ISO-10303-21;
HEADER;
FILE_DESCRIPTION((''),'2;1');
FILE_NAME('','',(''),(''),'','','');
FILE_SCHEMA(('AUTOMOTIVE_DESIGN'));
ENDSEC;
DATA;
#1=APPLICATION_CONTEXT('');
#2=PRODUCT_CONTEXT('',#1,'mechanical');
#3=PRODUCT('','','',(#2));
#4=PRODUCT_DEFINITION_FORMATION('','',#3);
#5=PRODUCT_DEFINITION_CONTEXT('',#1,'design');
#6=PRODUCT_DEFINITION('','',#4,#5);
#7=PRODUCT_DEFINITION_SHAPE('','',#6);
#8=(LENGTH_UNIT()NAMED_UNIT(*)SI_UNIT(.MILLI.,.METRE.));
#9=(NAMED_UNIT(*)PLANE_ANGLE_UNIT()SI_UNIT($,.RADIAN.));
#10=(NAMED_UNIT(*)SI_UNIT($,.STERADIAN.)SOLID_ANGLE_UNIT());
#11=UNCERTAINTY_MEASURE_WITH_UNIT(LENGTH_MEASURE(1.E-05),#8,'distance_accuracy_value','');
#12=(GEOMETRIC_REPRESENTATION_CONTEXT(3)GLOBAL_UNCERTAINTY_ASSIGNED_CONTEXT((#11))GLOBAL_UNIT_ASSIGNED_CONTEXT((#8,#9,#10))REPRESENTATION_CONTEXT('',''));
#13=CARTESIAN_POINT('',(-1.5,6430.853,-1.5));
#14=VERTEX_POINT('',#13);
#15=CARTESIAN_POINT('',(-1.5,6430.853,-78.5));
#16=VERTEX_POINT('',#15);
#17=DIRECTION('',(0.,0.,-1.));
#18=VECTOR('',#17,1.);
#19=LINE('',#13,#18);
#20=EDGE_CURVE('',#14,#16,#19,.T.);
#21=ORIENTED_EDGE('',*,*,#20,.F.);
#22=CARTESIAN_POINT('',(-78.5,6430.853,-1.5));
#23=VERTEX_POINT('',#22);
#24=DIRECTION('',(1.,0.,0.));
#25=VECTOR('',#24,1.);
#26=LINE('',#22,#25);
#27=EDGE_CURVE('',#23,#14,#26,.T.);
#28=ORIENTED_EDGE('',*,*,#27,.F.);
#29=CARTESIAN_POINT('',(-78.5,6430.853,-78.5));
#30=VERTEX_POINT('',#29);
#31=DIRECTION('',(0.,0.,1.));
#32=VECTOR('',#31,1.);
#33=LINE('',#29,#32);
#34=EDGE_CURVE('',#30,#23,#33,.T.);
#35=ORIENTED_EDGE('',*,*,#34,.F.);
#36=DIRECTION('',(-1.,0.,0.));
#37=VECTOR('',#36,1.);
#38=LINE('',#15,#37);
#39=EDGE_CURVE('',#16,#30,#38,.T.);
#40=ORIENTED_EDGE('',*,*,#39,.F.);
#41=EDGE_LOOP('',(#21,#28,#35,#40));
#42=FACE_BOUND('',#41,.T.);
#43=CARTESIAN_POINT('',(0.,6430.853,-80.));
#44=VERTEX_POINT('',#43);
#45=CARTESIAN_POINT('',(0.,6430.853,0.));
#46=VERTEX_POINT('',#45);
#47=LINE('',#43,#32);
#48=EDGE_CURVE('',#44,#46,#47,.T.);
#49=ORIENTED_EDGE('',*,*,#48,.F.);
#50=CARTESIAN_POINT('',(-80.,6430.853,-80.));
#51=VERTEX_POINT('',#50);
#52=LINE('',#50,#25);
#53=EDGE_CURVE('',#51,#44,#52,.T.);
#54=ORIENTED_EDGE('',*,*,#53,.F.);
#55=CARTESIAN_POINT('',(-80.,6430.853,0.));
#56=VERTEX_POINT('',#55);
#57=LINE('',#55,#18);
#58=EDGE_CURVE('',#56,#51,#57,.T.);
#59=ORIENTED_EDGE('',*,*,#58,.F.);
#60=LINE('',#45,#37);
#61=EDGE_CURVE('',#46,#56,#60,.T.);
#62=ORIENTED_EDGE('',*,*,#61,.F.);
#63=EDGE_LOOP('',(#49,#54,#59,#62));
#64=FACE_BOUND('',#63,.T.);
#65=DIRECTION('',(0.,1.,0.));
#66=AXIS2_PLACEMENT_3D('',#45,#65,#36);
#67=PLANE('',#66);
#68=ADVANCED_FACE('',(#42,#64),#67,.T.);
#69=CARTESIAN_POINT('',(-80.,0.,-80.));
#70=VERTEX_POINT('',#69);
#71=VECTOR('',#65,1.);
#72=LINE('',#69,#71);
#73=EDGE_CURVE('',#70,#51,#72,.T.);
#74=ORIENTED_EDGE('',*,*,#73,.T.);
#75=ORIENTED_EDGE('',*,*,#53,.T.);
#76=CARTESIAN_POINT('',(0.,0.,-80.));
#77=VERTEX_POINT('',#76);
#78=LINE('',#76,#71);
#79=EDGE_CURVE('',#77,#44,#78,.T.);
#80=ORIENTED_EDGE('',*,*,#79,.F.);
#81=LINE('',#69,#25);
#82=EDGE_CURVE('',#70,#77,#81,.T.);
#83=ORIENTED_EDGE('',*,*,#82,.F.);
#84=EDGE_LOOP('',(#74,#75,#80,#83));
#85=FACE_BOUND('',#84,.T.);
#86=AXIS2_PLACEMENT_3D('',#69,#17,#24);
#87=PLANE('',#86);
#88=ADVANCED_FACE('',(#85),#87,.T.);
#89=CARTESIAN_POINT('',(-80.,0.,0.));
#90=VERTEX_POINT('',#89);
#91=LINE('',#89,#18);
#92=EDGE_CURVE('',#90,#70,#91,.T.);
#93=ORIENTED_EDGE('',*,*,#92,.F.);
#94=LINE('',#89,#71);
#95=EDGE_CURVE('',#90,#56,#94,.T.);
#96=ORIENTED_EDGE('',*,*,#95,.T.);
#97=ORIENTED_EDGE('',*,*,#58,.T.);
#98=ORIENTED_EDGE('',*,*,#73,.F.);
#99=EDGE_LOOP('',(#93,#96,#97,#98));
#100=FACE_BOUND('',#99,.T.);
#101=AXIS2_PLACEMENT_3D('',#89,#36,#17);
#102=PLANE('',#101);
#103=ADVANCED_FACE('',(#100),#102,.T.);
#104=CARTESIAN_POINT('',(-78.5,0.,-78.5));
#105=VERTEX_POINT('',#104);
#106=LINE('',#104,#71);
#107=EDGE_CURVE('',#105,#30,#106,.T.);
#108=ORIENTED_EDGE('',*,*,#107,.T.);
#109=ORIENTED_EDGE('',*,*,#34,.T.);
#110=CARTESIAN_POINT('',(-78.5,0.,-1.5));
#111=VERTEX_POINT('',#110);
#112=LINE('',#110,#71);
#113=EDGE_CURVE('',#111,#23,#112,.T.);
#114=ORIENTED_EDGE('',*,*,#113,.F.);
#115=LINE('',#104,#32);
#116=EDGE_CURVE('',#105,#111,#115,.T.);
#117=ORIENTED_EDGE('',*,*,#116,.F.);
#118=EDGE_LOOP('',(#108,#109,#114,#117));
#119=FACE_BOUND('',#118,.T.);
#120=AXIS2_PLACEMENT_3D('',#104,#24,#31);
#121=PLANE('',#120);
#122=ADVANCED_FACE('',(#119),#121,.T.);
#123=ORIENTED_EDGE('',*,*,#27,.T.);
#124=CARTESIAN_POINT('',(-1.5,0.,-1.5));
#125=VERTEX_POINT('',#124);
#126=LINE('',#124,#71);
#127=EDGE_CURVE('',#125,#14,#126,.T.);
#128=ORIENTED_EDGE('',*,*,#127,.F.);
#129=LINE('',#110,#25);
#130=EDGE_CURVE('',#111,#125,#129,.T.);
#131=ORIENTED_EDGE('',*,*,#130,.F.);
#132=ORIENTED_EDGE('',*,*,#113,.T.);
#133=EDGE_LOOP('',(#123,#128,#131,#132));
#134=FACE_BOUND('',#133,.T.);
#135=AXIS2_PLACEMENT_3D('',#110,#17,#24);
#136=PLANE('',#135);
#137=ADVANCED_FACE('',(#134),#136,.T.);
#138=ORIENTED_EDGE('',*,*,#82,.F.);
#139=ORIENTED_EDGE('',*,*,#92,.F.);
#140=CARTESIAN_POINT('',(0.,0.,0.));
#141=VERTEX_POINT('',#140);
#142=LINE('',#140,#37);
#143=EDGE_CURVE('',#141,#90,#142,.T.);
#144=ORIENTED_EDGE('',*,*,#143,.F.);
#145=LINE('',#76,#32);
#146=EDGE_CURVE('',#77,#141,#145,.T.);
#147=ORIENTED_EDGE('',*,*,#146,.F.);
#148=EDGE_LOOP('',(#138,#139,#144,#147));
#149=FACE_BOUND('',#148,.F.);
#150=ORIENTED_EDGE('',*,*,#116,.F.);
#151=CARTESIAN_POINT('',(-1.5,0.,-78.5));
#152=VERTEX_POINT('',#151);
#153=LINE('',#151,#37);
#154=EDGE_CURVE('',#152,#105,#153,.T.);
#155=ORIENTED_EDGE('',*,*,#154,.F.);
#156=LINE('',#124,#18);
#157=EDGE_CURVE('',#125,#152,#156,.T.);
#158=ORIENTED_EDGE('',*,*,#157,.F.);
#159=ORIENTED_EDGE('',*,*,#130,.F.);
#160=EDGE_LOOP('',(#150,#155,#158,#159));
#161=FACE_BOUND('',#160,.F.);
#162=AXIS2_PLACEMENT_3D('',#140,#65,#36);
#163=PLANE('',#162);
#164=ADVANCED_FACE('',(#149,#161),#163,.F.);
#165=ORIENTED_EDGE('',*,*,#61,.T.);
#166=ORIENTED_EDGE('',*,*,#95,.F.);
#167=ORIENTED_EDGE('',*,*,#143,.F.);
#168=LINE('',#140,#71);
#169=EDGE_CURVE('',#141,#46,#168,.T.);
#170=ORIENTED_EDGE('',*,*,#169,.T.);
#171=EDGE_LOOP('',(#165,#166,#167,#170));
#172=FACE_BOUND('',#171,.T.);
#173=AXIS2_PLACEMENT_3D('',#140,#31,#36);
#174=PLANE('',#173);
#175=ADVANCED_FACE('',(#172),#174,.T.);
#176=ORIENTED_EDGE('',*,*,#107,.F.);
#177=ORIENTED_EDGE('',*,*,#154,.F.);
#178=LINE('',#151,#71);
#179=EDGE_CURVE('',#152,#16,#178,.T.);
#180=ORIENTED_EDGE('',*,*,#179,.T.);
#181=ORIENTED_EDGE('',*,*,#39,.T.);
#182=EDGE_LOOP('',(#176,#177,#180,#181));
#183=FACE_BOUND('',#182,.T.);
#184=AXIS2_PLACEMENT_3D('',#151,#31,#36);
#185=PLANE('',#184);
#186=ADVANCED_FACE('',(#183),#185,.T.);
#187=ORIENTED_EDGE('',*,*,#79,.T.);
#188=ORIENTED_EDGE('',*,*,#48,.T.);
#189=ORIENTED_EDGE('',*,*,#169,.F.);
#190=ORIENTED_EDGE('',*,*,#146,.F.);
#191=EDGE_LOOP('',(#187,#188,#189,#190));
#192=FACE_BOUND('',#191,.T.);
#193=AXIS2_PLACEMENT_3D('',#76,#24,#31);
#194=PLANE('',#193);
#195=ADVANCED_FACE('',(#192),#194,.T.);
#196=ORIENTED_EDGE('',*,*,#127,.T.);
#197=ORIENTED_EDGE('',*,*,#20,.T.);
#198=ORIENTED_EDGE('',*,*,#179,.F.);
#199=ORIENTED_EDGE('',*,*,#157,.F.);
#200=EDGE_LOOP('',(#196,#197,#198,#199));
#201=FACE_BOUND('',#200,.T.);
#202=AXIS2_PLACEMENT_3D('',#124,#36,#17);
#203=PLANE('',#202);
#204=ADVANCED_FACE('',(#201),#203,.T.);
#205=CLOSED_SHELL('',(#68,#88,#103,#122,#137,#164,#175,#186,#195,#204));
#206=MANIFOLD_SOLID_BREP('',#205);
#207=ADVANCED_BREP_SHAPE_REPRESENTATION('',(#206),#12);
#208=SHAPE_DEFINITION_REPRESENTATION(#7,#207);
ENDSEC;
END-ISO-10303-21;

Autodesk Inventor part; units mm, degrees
ref_plane "YZ Plane" through (0, 0, 0) normal (1, 0, 0) x (0, 1, 0)
ref_plane "XZ Plane" through (0, 0, 0) normal (0, 1, 0) x (-1, 0, 0)
ref_plane "XY Plane" through (0, 0, 0) normal (0, 0, 1) x (1, 0, 0)
sketch "Boceto1" plane through (0, 0, 0) normal (0, 1, 0) x (-1, 0, 0)
  line L0 (0, 0) -> (80, 0)
  line L1 (80, 0) -> (80, -80)
  line L2 (80, -80) -> (0, -80)
  line L3 (0, -80) -> (0, 0)
  line L4 (1.5, -78.5) -> (78.5, -78.5)
  line L5 (78.5, -78.5) -> (78.5, -1.5)
  line L6 (78.5, -1.5) -> (1.5, -1.5)
  line L7 (1.5, -1.5) -> (1.5, -78.5)
  line L8 (1.5, -78.5) -> (78.5, -1.5) construction
  line L9 (78.5, -78.5) -> (1.5, -1.5) construction
  point P0 (40, -40)
  dimension "d0" = 80
  dimension "d1" = 80
  dimension "d2" = 77
  dimension "d3" = 77
extrude "Extrusión1" add sketch "Boceto1" along normal blind 6430.853
properties part number "Pata_mesa"
